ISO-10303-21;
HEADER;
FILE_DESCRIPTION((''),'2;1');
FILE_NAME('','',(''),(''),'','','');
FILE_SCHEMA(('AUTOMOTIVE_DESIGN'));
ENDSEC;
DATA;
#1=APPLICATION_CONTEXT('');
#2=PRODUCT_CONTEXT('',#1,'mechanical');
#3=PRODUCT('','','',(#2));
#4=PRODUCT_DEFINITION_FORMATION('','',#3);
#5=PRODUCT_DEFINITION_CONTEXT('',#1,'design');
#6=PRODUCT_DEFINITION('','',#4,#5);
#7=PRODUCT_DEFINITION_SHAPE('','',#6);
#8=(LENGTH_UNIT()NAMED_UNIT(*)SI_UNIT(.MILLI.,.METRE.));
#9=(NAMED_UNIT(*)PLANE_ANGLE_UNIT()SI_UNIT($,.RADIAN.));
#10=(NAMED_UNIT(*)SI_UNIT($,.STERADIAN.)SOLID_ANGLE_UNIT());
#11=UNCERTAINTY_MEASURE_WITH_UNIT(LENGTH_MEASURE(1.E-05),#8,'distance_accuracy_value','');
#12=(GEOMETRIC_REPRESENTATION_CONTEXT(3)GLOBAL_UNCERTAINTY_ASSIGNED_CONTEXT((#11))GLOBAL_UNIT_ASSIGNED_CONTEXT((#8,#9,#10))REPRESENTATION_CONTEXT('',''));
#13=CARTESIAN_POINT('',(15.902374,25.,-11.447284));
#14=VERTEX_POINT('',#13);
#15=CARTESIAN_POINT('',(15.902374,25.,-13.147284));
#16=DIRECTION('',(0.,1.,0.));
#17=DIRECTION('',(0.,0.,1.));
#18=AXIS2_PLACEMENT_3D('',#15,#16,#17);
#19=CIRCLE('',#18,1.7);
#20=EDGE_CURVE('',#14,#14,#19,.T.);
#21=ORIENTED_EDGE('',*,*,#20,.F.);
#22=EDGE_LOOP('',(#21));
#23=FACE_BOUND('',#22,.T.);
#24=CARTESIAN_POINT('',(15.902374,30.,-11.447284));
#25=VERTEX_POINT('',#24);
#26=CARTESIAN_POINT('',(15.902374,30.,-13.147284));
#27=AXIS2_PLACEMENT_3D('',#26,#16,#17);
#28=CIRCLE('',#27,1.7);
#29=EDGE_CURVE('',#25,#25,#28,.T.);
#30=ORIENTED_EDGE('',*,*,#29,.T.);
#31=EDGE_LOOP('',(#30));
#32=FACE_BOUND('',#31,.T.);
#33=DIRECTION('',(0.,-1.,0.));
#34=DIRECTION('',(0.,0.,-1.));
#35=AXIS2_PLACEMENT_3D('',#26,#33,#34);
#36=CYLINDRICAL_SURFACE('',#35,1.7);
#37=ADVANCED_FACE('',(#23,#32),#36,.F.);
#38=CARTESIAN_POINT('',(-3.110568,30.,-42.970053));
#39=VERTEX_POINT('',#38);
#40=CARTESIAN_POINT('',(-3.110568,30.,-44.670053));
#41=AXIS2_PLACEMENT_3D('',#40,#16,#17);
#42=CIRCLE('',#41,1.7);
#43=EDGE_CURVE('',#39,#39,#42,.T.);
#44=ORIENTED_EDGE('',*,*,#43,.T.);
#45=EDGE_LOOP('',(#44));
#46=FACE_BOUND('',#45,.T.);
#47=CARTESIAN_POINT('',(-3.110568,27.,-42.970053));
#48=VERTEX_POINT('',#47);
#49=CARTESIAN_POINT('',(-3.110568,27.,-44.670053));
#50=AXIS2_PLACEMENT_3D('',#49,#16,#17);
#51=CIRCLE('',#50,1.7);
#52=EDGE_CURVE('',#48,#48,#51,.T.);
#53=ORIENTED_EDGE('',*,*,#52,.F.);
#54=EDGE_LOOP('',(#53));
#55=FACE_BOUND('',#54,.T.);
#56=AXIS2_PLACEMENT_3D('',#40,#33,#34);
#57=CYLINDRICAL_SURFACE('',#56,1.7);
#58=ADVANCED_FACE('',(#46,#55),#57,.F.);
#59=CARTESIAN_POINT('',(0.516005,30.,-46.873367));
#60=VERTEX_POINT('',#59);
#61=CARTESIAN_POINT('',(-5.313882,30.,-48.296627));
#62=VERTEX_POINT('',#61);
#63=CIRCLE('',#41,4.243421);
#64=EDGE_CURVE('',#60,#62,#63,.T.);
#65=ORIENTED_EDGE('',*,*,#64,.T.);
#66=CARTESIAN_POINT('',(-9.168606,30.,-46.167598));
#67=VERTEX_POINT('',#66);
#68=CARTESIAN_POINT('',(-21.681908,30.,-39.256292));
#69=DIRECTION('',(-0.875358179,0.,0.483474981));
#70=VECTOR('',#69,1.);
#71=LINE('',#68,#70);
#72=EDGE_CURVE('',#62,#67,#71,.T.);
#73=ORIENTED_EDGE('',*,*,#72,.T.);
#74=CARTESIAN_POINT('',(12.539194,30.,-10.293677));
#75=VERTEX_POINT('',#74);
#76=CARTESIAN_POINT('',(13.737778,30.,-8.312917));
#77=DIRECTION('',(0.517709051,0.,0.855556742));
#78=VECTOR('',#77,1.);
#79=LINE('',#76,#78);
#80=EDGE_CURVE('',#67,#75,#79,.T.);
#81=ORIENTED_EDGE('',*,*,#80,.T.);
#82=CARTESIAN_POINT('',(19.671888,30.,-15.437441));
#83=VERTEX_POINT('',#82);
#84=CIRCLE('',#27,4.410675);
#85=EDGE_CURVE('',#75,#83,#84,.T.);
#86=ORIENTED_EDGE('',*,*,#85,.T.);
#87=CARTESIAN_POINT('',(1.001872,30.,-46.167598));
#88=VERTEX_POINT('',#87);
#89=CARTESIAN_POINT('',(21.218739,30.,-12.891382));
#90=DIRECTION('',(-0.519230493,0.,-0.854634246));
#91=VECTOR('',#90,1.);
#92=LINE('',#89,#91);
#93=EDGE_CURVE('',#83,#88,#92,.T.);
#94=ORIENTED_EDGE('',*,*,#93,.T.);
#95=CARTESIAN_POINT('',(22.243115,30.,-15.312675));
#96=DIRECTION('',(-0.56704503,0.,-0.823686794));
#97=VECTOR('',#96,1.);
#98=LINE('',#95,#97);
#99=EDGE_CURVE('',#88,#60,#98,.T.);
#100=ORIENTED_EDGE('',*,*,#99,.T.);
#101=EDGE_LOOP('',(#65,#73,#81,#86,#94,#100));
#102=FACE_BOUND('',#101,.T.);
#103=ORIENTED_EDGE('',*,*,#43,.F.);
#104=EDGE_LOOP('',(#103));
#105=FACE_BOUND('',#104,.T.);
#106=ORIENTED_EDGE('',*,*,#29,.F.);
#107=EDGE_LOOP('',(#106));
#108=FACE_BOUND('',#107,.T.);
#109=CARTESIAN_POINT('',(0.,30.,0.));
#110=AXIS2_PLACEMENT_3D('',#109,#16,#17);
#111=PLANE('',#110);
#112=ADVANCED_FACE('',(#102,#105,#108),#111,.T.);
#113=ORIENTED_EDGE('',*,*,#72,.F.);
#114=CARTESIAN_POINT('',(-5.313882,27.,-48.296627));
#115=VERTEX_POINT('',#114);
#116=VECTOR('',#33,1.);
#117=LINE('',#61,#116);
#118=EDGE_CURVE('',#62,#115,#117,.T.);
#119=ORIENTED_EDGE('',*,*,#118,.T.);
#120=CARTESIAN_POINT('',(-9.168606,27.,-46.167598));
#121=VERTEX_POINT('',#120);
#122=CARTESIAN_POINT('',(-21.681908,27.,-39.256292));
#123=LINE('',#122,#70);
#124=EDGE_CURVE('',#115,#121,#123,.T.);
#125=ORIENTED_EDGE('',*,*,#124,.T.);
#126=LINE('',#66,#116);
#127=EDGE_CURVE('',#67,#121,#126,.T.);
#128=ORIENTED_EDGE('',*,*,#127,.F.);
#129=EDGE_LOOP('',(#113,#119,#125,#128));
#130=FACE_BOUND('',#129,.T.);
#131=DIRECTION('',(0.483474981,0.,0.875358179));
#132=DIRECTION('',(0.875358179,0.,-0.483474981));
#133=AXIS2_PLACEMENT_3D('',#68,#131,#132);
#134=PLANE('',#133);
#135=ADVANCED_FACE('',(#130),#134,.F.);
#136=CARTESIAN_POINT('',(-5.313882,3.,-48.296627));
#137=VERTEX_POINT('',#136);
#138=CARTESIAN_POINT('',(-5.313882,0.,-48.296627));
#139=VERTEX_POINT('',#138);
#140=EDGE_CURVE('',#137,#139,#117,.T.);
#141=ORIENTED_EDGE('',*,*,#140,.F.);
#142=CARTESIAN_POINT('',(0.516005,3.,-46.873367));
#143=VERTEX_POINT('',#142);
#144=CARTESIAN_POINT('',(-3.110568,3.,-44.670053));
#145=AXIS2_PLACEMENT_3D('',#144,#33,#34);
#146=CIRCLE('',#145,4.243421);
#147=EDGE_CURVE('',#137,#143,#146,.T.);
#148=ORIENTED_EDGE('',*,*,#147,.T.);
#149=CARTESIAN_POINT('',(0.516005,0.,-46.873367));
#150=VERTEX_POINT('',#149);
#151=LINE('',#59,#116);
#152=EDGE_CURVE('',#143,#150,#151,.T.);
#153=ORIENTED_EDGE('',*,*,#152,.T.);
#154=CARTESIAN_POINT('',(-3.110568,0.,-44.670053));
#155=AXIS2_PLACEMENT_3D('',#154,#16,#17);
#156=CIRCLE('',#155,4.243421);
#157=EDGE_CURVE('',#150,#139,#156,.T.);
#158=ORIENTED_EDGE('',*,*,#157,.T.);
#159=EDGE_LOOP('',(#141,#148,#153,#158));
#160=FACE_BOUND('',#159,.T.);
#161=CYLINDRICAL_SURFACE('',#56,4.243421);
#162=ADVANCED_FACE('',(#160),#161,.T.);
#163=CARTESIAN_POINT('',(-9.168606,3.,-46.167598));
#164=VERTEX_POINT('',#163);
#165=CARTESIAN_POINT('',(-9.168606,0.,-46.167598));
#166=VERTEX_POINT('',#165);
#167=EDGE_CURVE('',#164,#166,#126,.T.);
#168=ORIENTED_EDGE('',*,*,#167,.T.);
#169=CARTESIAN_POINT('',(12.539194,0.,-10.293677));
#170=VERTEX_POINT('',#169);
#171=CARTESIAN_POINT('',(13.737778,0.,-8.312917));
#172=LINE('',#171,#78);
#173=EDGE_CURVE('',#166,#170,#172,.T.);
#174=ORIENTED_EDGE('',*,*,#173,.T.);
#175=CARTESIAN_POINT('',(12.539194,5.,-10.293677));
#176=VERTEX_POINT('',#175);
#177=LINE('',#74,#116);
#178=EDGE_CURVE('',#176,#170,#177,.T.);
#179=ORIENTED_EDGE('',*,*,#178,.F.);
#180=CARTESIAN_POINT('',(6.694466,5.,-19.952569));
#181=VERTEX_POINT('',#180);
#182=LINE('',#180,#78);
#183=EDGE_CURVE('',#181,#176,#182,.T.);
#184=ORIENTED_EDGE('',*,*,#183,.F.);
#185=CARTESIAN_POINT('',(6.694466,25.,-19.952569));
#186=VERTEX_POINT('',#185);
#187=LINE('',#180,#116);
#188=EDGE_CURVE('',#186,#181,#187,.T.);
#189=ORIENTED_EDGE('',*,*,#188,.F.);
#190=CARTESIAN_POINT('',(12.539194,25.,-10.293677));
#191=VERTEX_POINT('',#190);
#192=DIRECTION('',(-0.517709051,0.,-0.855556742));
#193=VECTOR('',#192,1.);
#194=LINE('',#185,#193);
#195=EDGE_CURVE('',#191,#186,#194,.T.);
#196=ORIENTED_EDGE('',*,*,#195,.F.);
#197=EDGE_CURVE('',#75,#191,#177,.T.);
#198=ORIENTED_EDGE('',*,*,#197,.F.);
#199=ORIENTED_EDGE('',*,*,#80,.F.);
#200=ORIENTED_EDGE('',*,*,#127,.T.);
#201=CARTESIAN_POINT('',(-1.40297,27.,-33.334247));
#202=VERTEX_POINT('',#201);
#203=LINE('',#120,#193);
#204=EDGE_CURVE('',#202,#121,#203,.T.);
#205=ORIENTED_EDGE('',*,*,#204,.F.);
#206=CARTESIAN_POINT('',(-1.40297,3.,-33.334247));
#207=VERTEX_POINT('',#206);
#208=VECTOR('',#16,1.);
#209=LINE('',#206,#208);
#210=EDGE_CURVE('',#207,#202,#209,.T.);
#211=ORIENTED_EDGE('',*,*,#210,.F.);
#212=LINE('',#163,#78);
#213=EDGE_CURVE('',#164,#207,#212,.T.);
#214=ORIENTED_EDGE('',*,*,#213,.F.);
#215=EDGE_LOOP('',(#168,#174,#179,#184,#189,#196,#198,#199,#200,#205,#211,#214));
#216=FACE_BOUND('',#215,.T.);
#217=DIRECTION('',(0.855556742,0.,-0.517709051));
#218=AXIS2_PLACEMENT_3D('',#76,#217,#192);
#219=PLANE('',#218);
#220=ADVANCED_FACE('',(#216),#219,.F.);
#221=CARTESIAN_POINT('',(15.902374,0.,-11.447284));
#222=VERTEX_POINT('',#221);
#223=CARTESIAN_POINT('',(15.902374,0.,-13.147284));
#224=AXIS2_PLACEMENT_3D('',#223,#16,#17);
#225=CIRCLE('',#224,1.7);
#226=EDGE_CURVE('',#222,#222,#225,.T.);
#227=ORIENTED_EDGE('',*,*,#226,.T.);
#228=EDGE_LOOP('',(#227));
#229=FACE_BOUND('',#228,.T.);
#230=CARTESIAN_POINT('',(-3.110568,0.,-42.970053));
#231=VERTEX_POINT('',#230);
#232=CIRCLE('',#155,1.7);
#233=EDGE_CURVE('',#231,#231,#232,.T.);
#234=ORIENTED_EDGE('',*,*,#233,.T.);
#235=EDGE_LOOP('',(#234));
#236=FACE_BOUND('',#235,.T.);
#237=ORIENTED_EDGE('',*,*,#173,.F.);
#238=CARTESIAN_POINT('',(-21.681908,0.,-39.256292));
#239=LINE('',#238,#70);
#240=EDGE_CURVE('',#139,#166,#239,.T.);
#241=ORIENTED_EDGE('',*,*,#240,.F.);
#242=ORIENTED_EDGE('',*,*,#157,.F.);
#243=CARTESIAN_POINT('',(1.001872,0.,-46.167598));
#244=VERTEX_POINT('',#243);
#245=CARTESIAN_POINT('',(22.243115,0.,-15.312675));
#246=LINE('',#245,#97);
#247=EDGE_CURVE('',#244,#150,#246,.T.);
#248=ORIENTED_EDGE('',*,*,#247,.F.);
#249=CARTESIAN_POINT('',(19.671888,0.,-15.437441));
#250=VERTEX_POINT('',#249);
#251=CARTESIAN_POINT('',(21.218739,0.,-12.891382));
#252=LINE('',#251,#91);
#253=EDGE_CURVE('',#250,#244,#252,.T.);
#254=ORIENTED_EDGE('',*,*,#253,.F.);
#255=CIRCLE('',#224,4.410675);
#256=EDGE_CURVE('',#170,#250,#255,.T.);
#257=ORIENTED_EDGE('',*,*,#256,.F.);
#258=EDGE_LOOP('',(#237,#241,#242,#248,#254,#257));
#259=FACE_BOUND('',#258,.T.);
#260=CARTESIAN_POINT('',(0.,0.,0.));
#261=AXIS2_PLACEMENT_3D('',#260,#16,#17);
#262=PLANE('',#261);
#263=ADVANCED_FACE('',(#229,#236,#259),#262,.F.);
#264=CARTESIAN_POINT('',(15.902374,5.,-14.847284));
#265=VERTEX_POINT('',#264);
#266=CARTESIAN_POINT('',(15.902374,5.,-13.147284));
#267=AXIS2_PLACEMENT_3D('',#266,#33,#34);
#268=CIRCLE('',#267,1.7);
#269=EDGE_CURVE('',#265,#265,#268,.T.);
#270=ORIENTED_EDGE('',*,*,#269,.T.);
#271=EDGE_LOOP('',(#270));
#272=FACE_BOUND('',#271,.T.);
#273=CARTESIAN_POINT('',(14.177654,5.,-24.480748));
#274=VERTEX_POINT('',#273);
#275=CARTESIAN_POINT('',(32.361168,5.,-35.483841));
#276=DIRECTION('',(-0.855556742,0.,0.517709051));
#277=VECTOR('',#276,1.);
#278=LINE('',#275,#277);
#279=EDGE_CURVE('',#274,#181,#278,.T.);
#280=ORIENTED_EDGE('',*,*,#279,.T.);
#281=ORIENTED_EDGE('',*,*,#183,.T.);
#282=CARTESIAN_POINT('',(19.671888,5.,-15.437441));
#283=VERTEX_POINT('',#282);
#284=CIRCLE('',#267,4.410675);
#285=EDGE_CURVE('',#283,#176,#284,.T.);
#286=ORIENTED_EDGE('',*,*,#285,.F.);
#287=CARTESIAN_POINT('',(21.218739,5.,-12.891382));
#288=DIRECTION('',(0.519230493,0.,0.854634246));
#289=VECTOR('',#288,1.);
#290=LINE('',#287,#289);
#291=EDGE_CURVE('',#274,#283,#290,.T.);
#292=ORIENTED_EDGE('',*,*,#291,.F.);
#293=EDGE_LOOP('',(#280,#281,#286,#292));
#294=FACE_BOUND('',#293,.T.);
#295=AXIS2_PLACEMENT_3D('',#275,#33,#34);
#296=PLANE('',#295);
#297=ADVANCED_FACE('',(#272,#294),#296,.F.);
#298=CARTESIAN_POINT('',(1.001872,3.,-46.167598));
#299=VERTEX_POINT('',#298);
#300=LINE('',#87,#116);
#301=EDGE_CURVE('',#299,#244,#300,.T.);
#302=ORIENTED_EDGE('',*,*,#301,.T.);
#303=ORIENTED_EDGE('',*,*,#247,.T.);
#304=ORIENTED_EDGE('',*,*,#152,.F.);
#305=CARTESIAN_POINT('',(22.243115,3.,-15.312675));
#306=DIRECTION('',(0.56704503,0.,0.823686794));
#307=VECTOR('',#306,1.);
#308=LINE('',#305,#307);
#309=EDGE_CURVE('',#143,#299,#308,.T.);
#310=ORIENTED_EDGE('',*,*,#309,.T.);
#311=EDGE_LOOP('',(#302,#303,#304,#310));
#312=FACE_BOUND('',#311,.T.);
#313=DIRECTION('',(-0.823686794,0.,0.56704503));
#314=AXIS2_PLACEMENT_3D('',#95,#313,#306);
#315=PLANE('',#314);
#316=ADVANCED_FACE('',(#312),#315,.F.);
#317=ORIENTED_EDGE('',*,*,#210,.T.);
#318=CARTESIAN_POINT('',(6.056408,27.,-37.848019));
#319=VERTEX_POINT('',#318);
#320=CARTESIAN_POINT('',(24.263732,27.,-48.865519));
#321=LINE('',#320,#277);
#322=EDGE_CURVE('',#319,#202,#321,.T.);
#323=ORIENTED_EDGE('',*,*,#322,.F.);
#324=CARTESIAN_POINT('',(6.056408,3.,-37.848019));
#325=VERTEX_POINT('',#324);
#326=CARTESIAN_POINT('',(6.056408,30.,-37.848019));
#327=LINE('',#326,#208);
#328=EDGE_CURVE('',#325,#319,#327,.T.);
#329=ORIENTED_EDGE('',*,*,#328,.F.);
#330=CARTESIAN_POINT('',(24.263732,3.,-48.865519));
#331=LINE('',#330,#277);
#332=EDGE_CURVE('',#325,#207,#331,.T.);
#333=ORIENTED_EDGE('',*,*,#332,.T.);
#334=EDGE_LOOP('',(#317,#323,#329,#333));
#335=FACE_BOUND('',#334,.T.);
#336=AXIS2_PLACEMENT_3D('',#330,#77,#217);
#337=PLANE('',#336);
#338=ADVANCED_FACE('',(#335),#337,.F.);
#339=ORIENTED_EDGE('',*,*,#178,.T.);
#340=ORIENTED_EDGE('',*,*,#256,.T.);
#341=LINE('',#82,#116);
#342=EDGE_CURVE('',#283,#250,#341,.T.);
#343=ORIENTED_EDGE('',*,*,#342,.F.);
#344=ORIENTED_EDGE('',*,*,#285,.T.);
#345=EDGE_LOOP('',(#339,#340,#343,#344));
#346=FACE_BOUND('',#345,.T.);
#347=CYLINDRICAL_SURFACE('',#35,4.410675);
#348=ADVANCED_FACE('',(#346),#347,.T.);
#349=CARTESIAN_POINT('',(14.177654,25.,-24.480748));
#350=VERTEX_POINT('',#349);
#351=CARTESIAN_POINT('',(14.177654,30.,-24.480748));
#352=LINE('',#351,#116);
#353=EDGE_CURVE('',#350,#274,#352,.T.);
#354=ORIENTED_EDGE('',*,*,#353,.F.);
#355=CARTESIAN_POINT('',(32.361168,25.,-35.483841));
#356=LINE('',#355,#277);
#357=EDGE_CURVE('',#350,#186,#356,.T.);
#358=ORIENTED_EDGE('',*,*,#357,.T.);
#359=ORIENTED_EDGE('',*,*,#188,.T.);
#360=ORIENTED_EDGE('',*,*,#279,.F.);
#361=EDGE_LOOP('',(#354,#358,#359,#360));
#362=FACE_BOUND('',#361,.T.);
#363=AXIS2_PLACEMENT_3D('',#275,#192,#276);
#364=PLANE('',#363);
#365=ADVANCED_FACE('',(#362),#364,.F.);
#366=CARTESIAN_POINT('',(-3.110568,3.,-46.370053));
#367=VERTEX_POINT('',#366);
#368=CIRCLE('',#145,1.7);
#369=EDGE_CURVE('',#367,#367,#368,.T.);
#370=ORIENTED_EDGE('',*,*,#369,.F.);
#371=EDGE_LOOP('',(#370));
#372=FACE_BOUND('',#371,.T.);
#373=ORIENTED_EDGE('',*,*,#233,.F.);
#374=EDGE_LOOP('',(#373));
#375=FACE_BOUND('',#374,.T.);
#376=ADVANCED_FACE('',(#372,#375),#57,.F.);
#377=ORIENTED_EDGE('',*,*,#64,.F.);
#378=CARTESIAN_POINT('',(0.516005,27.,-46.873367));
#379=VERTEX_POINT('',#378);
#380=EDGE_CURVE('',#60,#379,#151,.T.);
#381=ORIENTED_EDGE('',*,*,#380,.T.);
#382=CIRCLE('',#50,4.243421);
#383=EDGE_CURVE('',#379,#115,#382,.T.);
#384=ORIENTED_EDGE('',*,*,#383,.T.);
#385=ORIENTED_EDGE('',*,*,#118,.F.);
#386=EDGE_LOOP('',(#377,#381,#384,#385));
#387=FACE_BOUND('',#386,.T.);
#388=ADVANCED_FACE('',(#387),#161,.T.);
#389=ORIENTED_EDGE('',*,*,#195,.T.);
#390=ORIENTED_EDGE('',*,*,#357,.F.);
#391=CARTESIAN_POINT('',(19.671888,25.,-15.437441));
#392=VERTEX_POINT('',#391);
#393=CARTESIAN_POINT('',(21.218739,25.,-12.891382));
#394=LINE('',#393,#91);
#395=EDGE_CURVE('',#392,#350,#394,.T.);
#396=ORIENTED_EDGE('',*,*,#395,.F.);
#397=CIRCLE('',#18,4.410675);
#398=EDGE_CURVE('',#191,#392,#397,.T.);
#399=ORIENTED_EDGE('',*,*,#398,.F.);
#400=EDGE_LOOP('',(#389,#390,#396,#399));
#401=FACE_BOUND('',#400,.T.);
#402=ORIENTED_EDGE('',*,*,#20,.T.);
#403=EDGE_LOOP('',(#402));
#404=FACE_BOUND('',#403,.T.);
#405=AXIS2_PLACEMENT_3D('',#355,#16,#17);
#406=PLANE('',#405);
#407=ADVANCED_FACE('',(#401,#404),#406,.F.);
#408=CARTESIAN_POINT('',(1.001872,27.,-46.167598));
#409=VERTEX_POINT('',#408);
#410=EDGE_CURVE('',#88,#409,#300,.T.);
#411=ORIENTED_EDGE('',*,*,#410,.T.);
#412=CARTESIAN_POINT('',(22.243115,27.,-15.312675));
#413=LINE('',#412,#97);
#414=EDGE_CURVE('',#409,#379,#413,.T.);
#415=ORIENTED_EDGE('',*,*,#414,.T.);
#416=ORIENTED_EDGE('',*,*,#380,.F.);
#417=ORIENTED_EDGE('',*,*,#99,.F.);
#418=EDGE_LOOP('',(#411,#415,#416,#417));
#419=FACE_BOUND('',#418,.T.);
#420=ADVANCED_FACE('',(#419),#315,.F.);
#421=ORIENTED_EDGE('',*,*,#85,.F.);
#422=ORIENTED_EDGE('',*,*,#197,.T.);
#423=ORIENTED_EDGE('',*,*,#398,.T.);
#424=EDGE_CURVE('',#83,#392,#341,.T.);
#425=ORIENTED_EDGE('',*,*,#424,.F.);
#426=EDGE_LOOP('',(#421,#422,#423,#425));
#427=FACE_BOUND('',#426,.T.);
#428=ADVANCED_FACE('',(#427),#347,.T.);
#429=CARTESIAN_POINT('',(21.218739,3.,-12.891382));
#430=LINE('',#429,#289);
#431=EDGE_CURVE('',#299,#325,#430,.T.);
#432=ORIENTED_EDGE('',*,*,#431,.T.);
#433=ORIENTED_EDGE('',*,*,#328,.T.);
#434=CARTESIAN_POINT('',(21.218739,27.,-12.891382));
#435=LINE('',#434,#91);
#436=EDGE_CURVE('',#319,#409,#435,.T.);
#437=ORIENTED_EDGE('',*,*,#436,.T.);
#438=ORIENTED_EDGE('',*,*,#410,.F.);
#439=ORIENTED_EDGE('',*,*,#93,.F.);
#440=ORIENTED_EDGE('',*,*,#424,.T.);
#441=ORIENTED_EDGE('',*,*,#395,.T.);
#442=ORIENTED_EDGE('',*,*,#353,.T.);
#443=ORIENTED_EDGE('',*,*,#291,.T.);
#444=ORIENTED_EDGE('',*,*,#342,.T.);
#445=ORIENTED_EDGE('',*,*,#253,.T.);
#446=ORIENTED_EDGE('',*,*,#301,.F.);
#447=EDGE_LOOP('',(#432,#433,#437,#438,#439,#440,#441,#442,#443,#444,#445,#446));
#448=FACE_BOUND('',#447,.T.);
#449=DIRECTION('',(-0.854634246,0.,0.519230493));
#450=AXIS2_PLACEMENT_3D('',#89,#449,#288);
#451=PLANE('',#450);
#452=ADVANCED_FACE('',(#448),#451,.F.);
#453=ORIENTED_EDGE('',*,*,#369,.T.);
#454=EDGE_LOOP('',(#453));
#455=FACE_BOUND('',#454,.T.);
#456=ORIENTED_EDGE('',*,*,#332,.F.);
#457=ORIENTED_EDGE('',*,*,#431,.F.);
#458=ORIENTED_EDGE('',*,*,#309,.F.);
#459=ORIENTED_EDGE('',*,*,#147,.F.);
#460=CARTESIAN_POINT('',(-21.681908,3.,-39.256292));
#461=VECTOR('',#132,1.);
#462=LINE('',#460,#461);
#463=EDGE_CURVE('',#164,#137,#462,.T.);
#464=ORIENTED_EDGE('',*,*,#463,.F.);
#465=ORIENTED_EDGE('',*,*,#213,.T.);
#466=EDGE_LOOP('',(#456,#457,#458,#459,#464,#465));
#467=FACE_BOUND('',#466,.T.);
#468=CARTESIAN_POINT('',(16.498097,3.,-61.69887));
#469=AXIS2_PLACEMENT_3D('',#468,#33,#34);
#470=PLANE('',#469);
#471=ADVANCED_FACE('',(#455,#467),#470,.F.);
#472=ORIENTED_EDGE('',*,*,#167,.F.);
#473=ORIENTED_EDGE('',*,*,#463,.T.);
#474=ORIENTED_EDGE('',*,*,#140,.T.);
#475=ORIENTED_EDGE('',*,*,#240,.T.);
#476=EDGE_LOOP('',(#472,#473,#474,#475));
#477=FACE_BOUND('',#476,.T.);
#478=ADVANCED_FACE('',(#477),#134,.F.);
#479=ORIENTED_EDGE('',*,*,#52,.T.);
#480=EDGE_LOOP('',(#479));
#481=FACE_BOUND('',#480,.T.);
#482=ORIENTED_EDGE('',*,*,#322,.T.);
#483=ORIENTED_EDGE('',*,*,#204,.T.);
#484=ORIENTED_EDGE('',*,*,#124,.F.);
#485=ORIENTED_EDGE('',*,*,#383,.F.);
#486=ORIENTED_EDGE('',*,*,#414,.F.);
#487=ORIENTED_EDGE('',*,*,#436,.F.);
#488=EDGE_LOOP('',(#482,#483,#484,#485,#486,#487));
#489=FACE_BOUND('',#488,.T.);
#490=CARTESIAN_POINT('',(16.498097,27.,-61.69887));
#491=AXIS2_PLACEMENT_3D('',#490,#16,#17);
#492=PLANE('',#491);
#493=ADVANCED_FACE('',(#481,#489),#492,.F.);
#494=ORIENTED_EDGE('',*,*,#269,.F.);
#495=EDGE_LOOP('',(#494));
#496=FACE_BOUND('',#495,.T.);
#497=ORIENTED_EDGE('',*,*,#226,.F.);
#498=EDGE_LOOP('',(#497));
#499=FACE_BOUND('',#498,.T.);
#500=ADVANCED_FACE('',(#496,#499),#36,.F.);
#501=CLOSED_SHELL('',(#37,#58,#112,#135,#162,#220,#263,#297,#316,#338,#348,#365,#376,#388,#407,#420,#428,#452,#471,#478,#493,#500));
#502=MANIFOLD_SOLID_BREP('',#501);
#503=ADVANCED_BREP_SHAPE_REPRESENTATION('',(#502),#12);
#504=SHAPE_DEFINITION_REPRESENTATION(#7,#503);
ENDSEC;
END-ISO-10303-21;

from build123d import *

# Parameters (mm, degrees)
SKETCH1_R           = 1.7
BOSS_EXTRUDE3_DEPTH = 30
SKETCH3_W           = 15
SKETCH3_H           = 24
SKETCH3_H_2         = 20
CUT_EXTRUDE1_DEPTH  = 30


with BuildPart() as part:
    # Sketch1 → Boss-Extrude3 (new body)
    with BuildSketch(Plane(origin=(0, 0, 0), x_dir=(1, 0, 0), z_dir=(0, 1, 0))):
        with BuildLine():
            Line((-5.313882261, 48.296626618), (-9.168605584, 46.167598374))
            Line((-9.168605584, 46.167598374), (11.814117054, 11.491925283))
            Line((11.814117054, 11.491925283), (12.539193688, 10.293676573))
            ThreePointArc((12.539193688, 10.293676573), (18.482268259, 9.569826652), (19.671887971, 15.437441074))
            Line((19.671887971, 15.437441074), (1.001872335, 46.167598374))
            Line((1.001872335, 46.167598374), (0.516004793, 46.873367152))
            ThreePointArc((0.516004793, 46.873367152), (-2.104172047, 48.792406027), (-5.313882261, 48.296626618))
        make_face()
        with Locations(Location((15.902373856, 13.147283989, 0), (0, 0, 270))):
            Circle(SKETCH1_R, mode=Mode.SUBTRACT)
        with Locations(Location((-3.110568467, 44.670053358, 0), (0, 0, 270))):
            Circle(SKETCH1_R, mode=Mode.SUBTRACT)
    extrude(amount=BOSS_EXTRUDE3_DEPTH)

    # Sketch3 → Cut-Extrude1 (cut)
    with BuildSketch(Plane(origin=(13.737778319, 0, -8.312916994), x_dir=(0.5177090511258458, 0, 0.8555567417666561), z_dir=(-0.8555567417666561, 0, 0.5177090511258458))):
        with Locations((-36.745670137, 15)):
            Rectangle(SKETCH3_W, SKETCH3_H)
        with Locations((-6.104769326, 15)):
            Rectangle(SKETCH3_W, SKETCH3_H_2)
    extrude(amount=-CUT_EXTRUDE1_DEPTH, mode=Mode.SUBTRACT)


solid = part.part
